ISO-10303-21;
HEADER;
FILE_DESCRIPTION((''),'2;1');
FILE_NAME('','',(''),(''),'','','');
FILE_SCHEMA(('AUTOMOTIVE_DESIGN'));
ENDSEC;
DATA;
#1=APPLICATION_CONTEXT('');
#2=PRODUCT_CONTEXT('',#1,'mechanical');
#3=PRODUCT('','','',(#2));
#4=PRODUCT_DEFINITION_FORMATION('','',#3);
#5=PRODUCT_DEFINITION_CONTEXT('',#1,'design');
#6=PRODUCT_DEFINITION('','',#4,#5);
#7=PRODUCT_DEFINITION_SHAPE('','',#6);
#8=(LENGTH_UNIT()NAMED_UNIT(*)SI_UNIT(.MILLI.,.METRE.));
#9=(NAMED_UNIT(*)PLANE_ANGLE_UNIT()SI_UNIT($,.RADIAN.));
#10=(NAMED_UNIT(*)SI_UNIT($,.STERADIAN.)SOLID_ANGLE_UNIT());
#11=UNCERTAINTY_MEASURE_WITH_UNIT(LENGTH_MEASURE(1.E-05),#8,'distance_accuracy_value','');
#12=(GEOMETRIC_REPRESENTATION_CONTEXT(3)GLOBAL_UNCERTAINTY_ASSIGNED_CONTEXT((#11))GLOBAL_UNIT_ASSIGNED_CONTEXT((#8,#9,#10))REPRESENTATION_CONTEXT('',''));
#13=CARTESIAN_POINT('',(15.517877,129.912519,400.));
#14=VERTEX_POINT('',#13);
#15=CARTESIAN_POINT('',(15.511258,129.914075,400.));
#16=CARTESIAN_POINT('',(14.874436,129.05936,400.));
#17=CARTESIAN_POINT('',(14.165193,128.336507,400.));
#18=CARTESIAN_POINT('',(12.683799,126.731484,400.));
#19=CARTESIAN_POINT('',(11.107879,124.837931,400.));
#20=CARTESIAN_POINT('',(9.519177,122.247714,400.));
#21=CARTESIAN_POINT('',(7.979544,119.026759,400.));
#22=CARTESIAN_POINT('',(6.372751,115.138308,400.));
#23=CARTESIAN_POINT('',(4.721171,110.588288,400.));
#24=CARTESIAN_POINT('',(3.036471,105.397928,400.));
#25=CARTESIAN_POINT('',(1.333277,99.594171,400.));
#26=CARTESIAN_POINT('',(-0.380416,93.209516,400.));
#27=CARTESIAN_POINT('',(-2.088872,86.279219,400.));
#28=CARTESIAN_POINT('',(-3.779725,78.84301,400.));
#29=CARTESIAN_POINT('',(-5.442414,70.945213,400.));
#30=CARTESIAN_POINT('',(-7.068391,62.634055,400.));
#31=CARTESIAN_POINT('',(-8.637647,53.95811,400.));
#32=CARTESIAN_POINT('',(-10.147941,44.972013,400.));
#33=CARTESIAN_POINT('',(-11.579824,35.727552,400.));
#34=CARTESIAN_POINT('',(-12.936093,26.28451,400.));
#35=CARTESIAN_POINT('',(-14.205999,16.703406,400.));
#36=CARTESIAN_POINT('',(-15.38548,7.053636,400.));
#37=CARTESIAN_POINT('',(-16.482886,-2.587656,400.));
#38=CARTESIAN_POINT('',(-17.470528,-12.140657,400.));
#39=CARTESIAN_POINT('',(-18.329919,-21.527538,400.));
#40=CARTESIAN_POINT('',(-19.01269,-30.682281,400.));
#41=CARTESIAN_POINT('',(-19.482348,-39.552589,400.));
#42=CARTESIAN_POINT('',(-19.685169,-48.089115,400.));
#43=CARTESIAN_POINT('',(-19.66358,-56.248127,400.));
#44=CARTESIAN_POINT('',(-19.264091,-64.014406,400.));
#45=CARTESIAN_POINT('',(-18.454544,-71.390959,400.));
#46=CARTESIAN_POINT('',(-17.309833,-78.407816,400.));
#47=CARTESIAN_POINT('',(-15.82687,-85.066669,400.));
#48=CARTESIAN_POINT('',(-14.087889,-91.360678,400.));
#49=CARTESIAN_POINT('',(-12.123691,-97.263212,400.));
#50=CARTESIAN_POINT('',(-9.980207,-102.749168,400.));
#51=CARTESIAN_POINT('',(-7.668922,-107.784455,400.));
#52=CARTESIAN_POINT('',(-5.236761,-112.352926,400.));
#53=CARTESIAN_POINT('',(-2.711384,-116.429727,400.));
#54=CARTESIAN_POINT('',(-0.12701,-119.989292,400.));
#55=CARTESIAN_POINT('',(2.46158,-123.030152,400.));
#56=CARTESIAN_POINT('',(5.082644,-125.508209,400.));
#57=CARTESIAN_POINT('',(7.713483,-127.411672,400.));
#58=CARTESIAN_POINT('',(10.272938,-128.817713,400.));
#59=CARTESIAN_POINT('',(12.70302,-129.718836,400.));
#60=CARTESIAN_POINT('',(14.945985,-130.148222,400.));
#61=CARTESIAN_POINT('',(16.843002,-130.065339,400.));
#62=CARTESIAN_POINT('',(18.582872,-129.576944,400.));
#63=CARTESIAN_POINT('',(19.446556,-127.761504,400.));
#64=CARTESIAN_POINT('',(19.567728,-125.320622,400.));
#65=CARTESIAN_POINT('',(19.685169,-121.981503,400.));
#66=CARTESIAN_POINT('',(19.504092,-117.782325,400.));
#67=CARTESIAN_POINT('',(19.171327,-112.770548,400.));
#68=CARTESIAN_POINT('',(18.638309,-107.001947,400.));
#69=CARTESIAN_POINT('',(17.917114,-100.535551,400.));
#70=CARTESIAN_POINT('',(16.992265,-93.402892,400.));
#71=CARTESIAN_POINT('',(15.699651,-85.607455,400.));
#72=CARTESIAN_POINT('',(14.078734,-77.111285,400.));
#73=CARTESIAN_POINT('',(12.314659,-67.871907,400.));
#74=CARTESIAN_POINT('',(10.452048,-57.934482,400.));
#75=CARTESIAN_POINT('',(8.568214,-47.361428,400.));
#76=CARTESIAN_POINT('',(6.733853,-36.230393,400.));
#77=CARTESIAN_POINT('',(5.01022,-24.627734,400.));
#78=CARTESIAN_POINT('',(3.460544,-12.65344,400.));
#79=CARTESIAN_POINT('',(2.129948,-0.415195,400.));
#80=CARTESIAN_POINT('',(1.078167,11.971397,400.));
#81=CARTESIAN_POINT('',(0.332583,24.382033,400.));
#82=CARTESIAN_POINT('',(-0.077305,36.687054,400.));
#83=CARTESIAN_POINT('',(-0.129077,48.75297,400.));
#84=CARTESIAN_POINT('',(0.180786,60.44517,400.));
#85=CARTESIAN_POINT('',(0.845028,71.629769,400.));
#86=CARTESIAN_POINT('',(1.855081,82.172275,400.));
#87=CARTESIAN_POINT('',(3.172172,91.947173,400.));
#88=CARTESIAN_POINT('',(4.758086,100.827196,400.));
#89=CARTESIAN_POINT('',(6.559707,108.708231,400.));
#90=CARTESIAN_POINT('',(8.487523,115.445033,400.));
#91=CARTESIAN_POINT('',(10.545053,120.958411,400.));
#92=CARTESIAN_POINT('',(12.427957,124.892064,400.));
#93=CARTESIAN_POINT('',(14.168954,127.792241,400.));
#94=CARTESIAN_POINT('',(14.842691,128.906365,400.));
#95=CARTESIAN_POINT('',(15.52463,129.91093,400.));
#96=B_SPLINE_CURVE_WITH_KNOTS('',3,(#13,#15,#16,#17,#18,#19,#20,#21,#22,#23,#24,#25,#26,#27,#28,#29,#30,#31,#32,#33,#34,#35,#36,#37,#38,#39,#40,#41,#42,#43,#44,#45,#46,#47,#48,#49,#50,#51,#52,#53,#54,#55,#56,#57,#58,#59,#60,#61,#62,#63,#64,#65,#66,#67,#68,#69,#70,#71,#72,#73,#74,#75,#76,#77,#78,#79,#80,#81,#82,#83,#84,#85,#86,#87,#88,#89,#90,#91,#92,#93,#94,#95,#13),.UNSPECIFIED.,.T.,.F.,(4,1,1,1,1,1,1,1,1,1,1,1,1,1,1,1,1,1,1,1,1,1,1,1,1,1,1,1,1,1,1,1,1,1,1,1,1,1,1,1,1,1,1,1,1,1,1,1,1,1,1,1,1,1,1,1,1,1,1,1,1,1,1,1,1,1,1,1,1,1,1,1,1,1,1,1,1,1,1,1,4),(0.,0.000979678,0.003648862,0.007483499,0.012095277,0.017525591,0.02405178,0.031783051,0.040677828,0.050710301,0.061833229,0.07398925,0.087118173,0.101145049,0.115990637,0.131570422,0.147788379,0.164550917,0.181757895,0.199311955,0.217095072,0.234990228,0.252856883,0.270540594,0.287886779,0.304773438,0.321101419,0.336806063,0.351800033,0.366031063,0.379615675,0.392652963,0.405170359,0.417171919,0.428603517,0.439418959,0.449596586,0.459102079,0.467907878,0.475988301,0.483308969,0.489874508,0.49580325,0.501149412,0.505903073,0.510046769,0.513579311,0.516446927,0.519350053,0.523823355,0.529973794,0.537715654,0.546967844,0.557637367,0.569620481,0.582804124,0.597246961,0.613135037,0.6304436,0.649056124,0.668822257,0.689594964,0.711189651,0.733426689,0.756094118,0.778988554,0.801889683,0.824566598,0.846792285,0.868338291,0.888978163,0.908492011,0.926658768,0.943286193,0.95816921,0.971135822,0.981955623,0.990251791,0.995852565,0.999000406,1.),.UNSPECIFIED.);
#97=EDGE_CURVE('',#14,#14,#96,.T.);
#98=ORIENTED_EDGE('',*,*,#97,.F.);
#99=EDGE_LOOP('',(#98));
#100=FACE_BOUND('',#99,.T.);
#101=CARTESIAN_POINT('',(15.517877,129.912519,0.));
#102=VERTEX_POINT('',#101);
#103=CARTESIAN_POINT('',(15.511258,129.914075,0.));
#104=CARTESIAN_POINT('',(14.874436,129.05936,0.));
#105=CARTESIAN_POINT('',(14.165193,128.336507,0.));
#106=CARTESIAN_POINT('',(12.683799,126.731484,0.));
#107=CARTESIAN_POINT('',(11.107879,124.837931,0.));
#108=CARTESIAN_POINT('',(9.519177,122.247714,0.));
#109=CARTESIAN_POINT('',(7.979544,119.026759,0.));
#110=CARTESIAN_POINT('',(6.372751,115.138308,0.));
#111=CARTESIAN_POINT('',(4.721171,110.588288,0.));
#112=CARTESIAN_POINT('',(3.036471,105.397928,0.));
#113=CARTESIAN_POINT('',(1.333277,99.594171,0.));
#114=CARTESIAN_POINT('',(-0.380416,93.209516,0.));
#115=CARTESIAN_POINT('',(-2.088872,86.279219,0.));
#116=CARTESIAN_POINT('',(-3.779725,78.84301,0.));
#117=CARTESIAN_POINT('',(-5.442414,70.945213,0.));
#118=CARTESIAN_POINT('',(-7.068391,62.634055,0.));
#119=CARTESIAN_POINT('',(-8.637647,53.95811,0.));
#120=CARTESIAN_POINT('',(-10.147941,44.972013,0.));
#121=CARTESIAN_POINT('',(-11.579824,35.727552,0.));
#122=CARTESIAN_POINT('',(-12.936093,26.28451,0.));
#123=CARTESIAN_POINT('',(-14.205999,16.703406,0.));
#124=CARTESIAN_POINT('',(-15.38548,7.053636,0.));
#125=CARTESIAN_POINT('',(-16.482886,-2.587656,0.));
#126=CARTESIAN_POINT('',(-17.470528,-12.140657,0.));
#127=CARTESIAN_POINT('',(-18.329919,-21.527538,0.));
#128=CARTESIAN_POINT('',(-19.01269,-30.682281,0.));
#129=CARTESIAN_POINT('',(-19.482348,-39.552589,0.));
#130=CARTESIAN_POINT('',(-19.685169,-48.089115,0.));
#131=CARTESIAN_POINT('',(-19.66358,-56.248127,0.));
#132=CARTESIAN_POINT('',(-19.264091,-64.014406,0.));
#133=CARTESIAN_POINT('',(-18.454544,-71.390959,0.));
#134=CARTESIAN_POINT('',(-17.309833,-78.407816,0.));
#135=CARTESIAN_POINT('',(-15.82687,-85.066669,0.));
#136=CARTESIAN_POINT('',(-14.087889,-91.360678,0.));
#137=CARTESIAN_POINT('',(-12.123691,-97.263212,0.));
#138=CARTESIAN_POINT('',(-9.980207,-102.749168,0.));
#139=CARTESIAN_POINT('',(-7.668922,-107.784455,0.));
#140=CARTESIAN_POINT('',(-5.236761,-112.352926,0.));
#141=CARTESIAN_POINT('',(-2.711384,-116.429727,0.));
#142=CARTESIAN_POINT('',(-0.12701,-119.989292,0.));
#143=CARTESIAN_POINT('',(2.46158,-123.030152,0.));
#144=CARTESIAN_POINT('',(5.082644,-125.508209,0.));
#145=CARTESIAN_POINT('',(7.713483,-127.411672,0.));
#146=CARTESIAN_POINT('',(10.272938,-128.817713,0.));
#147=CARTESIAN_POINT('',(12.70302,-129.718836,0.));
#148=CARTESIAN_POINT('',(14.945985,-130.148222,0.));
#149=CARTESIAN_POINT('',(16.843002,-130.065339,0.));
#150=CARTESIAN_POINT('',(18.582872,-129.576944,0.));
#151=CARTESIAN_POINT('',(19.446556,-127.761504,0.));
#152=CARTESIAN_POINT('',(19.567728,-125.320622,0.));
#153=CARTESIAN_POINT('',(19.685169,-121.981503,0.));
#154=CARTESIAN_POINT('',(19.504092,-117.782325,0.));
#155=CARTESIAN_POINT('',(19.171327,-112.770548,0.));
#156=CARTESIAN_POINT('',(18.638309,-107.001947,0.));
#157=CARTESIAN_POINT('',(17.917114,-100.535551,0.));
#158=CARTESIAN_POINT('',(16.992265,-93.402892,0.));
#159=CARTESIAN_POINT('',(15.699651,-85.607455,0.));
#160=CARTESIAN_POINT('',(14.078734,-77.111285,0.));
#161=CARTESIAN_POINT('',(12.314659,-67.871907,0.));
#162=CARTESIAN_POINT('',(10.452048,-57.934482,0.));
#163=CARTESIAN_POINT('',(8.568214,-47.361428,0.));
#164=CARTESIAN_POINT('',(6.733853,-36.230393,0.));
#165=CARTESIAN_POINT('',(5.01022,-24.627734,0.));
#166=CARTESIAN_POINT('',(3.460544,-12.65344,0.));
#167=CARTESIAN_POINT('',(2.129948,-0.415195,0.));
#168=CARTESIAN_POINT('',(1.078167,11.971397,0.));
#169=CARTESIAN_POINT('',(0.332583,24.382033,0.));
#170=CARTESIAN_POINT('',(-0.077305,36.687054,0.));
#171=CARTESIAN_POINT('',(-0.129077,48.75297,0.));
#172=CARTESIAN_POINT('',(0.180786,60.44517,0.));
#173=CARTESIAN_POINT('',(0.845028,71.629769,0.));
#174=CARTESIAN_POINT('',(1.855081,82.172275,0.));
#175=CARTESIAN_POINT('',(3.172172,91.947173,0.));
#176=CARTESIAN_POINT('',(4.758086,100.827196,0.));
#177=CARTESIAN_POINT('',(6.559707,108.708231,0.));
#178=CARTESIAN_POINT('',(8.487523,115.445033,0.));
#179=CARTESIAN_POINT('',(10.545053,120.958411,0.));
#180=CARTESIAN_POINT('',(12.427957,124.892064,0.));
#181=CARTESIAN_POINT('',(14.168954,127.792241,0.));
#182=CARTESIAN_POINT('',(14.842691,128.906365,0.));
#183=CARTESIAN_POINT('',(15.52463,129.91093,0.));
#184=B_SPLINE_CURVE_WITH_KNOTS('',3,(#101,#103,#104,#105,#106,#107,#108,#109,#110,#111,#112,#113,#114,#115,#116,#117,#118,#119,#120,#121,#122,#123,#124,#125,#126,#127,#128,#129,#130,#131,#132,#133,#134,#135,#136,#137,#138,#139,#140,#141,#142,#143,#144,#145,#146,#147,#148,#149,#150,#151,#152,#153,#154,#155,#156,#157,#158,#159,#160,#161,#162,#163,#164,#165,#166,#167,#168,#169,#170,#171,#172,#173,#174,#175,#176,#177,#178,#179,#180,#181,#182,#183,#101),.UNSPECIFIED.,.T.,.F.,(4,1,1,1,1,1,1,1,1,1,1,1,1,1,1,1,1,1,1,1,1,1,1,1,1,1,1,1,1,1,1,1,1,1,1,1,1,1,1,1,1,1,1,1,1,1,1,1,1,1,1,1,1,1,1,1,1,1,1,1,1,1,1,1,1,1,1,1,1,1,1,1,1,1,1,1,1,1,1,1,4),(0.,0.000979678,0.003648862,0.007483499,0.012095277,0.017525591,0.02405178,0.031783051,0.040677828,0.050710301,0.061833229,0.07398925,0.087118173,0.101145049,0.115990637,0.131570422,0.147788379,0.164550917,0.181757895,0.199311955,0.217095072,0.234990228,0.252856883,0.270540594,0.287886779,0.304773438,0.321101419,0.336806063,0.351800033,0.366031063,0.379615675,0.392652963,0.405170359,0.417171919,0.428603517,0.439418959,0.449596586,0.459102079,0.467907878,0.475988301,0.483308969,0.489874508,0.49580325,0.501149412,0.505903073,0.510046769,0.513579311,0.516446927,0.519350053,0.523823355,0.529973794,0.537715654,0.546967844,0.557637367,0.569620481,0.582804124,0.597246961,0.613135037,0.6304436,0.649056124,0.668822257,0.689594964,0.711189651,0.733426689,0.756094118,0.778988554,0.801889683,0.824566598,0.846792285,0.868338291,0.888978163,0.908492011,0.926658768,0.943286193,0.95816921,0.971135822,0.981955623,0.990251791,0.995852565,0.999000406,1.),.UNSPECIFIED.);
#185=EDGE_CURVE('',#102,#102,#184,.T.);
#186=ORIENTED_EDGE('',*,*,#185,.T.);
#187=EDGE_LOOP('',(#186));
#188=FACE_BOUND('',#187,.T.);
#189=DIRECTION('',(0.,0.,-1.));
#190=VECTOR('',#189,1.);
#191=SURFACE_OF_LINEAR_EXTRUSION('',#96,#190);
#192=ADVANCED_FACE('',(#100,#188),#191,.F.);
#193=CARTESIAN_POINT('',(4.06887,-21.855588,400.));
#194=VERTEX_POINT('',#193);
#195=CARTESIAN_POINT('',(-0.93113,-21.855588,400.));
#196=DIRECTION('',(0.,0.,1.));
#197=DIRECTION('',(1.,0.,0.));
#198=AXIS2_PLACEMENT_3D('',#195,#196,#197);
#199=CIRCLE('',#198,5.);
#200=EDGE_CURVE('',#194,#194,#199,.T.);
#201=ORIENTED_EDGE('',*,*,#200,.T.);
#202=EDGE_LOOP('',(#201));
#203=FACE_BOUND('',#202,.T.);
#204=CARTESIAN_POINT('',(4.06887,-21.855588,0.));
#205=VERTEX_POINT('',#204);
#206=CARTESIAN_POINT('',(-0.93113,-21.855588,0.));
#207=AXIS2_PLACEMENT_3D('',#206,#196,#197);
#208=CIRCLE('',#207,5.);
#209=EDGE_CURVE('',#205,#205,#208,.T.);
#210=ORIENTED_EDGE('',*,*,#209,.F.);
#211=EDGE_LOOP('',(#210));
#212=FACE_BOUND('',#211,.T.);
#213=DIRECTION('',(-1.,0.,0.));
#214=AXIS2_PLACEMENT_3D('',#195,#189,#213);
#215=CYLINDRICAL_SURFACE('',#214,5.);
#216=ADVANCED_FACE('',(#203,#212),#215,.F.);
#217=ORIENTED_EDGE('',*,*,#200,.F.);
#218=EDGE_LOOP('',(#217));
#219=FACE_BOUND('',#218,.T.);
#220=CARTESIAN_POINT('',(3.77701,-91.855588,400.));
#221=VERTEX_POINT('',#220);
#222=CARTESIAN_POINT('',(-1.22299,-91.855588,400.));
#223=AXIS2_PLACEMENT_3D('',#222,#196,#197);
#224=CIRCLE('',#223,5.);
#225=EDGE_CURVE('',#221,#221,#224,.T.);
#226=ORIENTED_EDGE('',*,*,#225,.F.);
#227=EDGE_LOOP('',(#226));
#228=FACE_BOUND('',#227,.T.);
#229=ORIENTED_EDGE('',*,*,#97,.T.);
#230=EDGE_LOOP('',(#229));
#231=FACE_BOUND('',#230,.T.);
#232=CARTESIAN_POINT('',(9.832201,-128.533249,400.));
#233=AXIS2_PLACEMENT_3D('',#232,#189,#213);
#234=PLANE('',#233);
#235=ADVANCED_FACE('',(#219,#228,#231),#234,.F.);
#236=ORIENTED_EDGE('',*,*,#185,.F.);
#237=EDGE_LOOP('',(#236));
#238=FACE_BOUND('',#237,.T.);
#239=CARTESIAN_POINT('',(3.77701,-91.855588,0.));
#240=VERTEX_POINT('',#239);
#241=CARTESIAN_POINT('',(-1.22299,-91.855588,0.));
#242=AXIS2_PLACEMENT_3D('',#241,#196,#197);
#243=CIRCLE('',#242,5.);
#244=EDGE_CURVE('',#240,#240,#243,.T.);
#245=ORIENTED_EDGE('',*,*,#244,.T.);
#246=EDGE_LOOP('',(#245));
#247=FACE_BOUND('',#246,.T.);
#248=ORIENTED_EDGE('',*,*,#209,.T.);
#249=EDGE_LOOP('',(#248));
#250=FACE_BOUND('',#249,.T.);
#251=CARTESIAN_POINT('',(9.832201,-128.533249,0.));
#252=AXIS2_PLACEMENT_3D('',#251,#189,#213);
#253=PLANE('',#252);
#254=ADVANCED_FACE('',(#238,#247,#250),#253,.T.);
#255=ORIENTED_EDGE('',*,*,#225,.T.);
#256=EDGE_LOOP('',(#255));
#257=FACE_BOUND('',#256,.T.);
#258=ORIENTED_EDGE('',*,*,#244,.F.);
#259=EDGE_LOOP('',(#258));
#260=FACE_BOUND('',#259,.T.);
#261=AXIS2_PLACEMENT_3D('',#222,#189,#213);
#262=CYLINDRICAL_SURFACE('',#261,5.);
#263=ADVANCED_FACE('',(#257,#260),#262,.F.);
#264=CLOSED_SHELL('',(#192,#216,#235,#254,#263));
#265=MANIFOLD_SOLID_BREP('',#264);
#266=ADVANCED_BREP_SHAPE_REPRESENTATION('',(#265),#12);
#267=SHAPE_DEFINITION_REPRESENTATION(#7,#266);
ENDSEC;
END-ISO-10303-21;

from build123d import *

# Parameters (mm, degrees)
SKETCH1_R           = 5
BOSS_EXTRUDE1_DEPTH = 400


with BuildPart() as part:
    # Sketch1 → Boss-Extrude1 (new body)
    with BuildSketch(Plane.XY):
        with BuildLine():
            add(Edge.make_bspline(
                [(15.517876647, 129.912518558), (15.511257776, 129.914075077), (14.874436484, 129.059359543), (14.165193341, 128.336507436), (12.683799366, 126.731483761), (11.107879445, 124.837931088), (9.519176821, 122.247713673), (7.979544376, 119.02675863), (6.372751432, 115.138307858), (4.721171095, 110.588288499), (3.036470553, 105.39792775), (1.333277023, 99.594170585), (-0.380415524, 93.209516427), (-2.088872116, 86.279218577), (-3.779725319, 78.84301024), (-5.442414074, 70.945213053), (-7.068390891, 62.634054628), (-8.637647165, 53.958109953), (-10.147940879, 44.972013084), (-11.579824096, 35.727551614), (-12.93609285, 26.284509714), (-14.205999388, 16.70340601), (-15.385480077, 7.053636481), (-16.48288628, -2.587656285), (-17.470527605, -12.140656744), (-18.329919221, -21.527538063), (-19.012689875, -30.682280591), (-19.482348454, -39.552589078), (-19.685168912, -48.089115098), (-19.663579999, -56.248127241), (-19.264090909, -64.014405795), (-18.454544264, -71.390959203), (-17.309833303, -78.407815763), (-15.826870359, -85.066669001), (-14.087889444, -91.360677915), (-12.123690573, -97.263211777), (-9.980206607, -102.749167654), (-7.668921547, -107.784455173), (-5.236761127, -112.352926407), (-2.71138371, -116.429727372), (-0.127010351, -119.989292026), (2.46158003, -123.030151698), (5.082643842, -125.508208579), (7.713482616, -127.411672344), (10.27293838, -128.817713087), (12.703020365, -129.718836405), (14.945985302, -130.148221709), (16.843001997, -130.065338725), (18.582871983, -129.57694438), (19.44655619, -127.761504397), (19.567728364, -125.320621502), (19.685168912, -121.981502801), (19.504091564, -117.782325375), (19.171326581, -112.770548223), (18.638309237, -107.001947193), (17.917113852, -100.53555106), (16.992264876, -93.402891671), (15.699650819, -85.60745465), (14.078733744, -77.111284684), (12.314658717, -67.871906642), (10.452048399, -57.93448185), (8.568213797, -47.361427786), (6.733853015, -36.23039334), (5.010220159, -24.627733849), (3.460544284, -12.653440497), (2.12994821, -0.415194752), (1.078166801, 11.971397296), (0.332583473, 24.382033144), (-0.077304981, 36.687053504), (-0.129076829, 48.752970499), (0.180785583, 60.445169928), (0.845028316, 71.629769179), (1.855080849, 82.172275032), (3.172172432, 91.947172642), (4.758086028, 100.827195971), (6.559707429, 108.708230678), (8.487522589, 115.445032915), (10.545053357, 120.958410783), (12.427957426, 124.892063969), (14.168953773, 127.792241452), (14.842690639, 128.906364929), (15.524630079, 129.910930395), (15.517876647, 129.912518558)],
                knots=[0, 0, 0, 0, 0.000979678, 0.003648862, 0.007483499, 0.012095277, 0.017525591, 0.02405178, 0.031783051, 0.040677828, 0.050710301, 0.061833229, 0.07398925, 0.087118173, 0.101145049, 0.115990637, 0.131570422, 0.147788379, 0.164550917, 0.181757895, 0.199311955, 0.217095072, 0.234990228, 0.252856883, 0.270540594, 0.287886779, 0.304773438, 0.321101419, 0.336806063, 0.351800033, 0.366031063, 0.379615675, 0.392652963, 0.405170359, 0.417171919, 0.428603517, 0.439418959, 0.449596586, 0.459102079, 0.467907878, 0.475988301, 0.483308969, 0.489874508, 0.49580325, 0.501149412, 0.505903073, 0.510046769, 0.513579311, 0.516446927, 0.519350053, 0.523823355, 0.529973794, 0.537715654, 0.546967844, 0.557637367, 0.569620481, 0.582804124, 0.597246961, 0.613135037, 0.6304436, 0.649056124, 0.668822257, 0.689594964, 0.711189651, 0.733426689, 0.756094118, 0.778988554, 0.801889683, 0.824566598, 0.846792285, 0.868338291, 0.888978163, 0.908492011, 0.926658768, 0.943286193, 0.95816921, 0.971135822, 0.981955623, 0.990251791, 0.995852565, 0.999000406, 1, 1, 1, 1], degree=3))
        make_face()
        with Locations((-1.22298963, -91.855588497)):
            Circle(SKETCH1_R, mode=Mode.SUBTRACT)
        with Locations((-0.931130189, -21.855588497)):
            Circle(SKETCH1_R, mode=Mode.SUBTRACT)
    extrude(amount=BOSS_EXTRUDE1_DEPTH)


solid = part.part
